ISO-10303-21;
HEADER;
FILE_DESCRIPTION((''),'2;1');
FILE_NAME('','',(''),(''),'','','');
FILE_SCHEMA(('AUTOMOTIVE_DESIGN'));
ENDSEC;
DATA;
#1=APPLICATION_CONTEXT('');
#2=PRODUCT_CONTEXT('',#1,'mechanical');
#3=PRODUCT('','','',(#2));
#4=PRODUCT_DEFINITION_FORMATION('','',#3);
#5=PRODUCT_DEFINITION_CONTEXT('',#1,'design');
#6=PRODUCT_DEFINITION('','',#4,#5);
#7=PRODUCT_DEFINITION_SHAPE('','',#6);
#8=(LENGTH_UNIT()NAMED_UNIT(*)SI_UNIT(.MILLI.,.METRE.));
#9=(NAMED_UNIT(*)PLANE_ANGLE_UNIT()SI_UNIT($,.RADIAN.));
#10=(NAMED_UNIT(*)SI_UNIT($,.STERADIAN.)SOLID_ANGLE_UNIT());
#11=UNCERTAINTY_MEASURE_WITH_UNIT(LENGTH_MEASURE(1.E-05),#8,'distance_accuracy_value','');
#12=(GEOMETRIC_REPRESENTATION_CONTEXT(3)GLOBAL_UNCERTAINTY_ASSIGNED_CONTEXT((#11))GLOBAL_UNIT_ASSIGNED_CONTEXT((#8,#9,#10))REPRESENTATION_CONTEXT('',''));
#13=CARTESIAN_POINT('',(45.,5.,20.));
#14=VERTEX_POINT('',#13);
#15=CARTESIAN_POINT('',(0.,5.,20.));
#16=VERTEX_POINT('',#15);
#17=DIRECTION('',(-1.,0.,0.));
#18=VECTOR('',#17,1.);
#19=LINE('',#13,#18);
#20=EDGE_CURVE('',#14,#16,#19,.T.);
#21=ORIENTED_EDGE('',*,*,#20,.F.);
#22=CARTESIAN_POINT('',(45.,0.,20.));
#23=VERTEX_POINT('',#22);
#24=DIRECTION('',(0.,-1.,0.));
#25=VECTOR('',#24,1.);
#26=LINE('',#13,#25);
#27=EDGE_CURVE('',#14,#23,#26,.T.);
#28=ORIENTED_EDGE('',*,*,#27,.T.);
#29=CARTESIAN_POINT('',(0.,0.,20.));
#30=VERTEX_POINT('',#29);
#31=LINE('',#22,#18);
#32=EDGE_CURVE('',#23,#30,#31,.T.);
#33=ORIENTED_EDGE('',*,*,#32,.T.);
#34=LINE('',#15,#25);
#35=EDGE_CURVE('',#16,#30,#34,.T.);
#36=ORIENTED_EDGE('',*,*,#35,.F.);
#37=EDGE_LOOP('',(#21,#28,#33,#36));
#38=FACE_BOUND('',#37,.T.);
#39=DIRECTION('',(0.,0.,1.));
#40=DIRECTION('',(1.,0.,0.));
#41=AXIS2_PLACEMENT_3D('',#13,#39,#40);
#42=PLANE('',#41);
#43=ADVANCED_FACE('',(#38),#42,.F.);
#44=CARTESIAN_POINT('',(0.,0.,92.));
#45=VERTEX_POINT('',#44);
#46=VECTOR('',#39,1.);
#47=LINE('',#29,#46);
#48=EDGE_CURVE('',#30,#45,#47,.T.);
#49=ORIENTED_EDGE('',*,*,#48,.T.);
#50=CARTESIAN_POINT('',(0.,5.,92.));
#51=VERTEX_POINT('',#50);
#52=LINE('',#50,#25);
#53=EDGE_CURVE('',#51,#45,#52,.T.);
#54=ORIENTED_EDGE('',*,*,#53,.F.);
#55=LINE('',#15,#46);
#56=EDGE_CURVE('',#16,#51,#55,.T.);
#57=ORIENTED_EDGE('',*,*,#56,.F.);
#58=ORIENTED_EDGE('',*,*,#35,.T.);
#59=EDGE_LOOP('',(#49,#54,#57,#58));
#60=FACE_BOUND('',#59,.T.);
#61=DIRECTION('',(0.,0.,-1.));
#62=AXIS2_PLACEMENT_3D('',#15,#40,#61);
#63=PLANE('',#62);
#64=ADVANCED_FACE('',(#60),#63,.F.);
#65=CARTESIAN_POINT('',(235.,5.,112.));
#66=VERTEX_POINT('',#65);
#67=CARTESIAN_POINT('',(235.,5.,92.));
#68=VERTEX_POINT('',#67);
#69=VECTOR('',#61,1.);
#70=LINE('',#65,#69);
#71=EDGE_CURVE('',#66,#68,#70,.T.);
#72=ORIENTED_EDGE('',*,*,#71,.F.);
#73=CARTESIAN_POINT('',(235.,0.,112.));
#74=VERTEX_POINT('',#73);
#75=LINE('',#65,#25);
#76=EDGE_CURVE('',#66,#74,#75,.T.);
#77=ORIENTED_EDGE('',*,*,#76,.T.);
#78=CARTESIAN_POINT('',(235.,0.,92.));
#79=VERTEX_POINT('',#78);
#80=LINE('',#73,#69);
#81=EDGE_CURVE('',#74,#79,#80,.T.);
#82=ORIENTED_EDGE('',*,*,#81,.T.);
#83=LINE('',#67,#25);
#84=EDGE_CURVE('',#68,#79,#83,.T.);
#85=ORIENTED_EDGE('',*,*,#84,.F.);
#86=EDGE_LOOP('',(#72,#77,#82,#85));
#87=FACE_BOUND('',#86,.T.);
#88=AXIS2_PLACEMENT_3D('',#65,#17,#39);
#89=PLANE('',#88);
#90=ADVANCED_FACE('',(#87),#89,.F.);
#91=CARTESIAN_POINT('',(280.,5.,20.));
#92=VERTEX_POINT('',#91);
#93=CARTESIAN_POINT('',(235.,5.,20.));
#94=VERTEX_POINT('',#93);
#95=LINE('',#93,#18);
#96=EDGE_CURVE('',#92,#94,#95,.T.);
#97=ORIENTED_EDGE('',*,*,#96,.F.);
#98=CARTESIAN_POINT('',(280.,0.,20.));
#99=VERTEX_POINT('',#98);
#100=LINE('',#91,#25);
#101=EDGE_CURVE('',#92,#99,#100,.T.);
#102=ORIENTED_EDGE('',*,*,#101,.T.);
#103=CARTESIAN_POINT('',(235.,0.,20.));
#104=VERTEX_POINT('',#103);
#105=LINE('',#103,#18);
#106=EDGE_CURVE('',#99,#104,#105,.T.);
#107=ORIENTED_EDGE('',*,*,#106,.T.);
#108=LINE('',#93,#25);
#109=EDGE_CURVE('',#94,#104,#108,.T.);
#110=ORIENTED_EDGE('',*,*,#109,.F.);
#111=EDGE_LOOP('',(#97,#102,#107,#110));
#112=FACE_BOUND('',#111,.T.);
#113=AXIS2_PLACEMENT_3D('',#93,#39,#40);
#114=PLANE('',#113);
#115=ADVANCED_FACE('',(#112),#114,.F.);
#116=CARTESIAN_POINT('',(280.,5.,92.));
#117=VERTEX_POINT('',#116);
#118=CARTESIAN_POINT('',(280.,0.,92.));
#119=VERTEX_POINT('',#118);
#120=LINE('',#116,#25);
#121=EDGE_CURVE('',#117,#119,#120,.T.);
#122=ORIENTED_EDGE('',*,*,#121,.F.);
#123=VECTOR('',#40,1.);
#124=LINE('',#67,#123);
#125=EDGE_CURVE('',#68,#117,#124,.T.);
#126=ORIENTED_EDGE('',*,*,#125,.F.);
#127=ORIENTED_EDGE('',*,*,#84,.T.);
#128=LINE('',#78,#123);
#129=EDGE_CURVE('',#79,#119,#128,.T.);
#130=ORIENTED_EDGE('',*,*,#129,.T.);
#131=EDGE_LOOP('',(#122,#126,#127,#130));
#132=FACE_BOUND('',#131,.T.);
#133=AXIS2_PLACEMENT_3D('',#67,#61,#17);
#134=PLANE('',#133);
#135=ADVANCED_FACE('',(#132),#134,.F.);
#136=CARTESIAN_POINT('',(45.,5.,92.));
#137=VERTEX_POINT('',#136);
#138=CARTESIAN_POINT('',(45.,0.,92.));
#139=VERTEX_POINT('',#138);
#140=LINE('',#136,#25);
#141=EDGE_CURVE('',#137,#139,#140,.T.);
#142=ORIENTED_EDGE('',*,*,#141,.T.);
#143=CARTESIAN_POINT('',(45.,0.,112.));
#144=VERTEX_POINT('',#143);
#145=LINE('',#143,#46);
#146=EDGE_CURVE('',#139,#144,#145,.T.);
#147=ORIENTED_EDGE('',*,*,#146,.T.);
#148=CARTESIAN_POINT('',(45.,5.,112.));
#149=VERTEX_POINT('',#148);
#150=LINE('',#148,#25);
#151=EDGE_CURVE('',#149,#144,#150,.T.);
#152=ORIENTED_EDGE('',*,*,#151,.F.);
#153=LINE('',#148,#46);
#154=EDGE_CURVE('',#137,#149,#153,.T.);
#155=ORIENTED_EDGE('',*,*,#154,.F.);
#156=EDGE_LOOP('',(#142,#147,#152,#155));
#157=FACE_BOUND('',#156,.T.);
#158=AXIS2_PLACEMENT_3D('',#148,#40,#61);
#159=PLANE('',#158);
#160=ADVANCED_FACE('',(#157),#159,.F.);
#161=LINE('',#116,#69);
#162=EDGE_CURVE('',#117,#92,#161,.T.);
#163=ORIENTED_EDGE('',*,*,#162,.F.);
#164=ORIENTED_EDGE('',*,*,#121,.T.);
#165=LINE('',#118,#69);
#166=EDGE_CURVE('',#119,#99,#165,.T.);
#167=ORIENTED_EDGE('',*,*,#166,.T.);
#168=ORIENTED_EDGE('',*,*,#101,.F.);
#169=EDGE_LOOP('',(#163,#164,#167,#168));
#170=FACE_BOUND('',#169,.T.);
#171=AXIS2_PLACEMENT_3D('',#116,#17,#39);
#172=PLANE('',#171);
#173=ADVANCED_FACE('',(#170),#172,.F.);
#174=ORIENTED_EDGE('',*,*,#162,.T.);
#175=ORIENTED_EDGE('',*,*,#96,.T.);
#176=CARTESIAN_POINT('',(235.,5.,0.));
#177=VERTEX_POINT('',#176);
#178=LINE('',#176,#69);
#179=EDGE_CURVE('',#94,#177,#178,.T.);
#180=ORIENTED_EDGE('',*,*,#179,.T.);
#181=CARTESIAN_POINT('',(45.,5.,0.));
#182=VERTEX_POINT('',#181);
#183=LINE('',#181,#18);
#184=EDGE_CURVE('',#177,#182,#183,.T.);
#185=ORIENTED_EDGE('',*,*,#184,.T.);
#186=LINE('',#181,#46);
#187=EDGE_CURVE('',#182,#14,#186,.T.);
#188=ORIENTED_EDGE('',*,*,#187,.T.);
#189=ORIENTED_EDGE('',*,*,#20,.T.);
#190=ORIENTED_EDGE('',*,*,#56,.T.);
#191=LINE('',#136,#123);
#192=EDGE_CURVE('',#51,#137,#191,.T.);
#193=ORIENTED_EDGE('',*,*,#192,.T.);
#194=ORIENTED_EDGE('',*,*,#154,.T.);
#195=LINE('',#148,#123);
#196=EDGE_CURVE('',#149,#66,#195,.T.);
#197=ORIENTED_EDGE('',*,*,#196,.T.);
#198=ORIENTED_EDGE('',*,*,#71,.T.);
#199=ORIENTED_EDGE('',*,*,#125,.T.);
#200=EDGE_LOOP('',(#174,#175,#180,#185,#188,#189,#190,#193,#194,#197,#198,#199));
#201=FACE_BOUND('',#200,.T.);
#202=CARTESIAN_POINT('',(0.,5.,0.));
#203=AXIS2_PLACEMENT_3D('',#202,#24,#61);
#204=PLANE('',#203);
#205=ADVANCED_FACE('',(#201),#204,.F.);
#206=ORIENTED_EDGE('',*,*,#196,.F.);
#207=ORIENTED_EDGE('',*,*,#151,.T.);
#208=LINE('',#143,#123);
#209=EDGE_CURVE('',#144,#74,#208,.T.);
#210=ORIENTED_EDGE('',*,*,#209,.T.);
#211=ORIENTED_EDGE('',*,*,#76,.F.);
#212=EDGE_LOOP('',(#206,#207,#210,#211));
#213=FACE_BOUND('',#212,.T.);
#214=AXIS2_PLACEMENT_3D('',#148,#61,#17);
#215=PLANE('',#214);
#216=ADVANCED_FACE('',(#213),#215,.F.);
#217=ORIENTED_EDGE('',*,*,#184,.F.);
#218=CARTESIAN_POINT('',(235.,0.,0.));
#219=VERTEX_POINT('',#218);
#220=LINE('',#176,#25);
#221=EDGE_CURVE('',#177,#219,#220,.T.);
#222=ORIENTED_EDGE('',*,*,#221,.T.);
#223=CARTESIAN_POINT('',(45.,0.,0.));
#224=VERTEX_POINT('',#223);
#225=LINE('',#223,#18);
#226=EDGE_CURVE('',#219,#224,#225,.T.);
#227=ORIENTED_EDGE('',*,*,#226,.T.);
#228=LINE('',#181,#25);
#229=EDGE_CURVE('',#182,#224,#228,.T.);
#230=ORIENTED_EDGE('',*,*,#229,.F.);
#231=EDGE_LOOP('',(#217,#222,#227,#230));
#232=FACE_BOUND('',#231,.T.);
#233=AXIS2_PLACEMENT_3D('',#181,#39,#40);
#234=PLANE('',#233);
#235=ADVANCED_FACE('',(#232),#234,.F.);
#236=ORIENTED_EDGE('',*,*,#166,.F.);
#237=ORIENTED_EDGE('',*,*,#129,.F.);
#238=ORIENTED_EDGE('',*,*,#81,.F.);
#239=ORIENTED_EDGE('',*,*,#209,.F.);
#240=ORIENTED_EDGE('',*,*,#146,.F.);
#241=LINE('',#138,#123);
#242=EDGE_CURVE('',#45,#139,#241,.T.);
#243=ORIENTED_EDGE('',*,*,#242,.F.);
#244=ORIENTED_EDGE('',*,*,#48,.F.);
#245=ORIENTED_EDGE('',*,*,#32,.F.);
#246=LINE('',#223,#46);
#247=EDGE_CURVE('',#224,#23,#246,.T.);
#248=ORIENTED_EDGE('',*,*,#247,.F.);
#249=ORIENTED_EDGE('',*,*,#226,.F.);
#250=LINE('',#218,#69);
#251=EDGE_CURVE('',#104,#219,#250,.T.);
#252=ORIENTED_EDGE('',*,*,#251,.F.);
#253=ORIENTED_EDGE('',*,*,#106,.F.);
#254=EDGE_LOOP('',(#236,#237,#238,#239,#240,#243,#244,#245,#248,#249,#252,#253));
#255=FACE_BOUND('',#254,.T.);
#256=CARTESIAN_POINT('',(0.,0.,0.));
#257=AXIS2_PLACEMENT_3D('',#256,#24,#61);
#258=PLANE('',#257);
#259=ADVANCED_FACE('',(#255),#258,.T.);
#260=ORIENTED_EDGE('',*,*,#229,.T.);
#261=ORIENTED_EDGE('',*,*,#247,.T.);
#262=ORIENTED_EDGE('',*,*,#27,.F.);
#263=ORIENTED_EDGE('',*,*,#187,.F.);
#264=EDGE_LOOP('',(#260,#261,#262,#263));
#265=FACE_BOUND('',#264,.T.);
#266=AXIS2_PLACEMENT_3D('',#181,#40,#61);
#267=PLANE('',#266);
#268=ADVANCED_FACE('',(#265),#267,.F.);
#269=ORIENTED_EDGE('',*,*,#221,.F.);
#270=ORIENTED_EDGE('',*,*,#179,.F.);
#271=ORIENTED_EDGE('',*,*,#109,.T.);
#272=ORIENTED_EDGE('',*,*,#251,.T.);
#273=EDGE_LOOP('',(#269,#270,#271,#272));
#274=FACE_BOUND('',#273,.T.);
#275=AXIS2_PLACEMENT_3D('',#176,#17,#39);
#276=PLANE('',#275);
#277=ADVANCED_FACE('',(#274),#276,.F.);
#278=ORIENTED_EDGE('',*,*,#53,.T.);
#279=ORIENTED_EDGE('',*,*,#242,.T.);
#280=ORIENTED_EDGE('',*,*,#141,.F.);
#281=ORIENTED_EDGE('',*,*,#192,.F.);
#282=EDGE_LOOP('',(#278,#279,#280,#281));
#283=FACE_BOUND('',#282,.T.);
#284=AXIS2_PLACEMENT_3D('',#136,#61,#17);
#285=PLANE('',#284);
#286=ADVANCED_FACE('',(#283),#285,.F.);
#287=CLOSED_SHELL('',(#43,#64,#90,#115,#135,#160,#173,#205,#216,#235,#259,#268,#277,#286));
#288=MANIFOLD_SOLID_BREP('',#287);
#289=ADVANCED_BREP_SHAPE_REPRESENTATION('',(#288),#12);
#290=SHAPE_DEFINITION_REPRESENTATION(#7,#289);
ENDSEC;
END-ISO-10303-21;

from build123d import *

# Parameters (mm, degrees)
BOSS_EXTRUDE1_DEPTH = 5


with BuildPart() as part:
    # Sketch1 → Boss-Extrude1 (new body)
    with BuildSketch(Plane(origin=(0, 0, 0), x_dir=(1, 0, 0), z_dir=(0, 1, 0))):
        Polygon((45, 0), (235, 0), (235, -20), (280, -20), (280, -92), (235, -92), (235, -112), (45, -112), (45, -92), (0, -92), (0, -20), (45, -20), align=None)
    extrude(amount=BOSS_EXTRUDE1_DEPTH)


solid = part.part
